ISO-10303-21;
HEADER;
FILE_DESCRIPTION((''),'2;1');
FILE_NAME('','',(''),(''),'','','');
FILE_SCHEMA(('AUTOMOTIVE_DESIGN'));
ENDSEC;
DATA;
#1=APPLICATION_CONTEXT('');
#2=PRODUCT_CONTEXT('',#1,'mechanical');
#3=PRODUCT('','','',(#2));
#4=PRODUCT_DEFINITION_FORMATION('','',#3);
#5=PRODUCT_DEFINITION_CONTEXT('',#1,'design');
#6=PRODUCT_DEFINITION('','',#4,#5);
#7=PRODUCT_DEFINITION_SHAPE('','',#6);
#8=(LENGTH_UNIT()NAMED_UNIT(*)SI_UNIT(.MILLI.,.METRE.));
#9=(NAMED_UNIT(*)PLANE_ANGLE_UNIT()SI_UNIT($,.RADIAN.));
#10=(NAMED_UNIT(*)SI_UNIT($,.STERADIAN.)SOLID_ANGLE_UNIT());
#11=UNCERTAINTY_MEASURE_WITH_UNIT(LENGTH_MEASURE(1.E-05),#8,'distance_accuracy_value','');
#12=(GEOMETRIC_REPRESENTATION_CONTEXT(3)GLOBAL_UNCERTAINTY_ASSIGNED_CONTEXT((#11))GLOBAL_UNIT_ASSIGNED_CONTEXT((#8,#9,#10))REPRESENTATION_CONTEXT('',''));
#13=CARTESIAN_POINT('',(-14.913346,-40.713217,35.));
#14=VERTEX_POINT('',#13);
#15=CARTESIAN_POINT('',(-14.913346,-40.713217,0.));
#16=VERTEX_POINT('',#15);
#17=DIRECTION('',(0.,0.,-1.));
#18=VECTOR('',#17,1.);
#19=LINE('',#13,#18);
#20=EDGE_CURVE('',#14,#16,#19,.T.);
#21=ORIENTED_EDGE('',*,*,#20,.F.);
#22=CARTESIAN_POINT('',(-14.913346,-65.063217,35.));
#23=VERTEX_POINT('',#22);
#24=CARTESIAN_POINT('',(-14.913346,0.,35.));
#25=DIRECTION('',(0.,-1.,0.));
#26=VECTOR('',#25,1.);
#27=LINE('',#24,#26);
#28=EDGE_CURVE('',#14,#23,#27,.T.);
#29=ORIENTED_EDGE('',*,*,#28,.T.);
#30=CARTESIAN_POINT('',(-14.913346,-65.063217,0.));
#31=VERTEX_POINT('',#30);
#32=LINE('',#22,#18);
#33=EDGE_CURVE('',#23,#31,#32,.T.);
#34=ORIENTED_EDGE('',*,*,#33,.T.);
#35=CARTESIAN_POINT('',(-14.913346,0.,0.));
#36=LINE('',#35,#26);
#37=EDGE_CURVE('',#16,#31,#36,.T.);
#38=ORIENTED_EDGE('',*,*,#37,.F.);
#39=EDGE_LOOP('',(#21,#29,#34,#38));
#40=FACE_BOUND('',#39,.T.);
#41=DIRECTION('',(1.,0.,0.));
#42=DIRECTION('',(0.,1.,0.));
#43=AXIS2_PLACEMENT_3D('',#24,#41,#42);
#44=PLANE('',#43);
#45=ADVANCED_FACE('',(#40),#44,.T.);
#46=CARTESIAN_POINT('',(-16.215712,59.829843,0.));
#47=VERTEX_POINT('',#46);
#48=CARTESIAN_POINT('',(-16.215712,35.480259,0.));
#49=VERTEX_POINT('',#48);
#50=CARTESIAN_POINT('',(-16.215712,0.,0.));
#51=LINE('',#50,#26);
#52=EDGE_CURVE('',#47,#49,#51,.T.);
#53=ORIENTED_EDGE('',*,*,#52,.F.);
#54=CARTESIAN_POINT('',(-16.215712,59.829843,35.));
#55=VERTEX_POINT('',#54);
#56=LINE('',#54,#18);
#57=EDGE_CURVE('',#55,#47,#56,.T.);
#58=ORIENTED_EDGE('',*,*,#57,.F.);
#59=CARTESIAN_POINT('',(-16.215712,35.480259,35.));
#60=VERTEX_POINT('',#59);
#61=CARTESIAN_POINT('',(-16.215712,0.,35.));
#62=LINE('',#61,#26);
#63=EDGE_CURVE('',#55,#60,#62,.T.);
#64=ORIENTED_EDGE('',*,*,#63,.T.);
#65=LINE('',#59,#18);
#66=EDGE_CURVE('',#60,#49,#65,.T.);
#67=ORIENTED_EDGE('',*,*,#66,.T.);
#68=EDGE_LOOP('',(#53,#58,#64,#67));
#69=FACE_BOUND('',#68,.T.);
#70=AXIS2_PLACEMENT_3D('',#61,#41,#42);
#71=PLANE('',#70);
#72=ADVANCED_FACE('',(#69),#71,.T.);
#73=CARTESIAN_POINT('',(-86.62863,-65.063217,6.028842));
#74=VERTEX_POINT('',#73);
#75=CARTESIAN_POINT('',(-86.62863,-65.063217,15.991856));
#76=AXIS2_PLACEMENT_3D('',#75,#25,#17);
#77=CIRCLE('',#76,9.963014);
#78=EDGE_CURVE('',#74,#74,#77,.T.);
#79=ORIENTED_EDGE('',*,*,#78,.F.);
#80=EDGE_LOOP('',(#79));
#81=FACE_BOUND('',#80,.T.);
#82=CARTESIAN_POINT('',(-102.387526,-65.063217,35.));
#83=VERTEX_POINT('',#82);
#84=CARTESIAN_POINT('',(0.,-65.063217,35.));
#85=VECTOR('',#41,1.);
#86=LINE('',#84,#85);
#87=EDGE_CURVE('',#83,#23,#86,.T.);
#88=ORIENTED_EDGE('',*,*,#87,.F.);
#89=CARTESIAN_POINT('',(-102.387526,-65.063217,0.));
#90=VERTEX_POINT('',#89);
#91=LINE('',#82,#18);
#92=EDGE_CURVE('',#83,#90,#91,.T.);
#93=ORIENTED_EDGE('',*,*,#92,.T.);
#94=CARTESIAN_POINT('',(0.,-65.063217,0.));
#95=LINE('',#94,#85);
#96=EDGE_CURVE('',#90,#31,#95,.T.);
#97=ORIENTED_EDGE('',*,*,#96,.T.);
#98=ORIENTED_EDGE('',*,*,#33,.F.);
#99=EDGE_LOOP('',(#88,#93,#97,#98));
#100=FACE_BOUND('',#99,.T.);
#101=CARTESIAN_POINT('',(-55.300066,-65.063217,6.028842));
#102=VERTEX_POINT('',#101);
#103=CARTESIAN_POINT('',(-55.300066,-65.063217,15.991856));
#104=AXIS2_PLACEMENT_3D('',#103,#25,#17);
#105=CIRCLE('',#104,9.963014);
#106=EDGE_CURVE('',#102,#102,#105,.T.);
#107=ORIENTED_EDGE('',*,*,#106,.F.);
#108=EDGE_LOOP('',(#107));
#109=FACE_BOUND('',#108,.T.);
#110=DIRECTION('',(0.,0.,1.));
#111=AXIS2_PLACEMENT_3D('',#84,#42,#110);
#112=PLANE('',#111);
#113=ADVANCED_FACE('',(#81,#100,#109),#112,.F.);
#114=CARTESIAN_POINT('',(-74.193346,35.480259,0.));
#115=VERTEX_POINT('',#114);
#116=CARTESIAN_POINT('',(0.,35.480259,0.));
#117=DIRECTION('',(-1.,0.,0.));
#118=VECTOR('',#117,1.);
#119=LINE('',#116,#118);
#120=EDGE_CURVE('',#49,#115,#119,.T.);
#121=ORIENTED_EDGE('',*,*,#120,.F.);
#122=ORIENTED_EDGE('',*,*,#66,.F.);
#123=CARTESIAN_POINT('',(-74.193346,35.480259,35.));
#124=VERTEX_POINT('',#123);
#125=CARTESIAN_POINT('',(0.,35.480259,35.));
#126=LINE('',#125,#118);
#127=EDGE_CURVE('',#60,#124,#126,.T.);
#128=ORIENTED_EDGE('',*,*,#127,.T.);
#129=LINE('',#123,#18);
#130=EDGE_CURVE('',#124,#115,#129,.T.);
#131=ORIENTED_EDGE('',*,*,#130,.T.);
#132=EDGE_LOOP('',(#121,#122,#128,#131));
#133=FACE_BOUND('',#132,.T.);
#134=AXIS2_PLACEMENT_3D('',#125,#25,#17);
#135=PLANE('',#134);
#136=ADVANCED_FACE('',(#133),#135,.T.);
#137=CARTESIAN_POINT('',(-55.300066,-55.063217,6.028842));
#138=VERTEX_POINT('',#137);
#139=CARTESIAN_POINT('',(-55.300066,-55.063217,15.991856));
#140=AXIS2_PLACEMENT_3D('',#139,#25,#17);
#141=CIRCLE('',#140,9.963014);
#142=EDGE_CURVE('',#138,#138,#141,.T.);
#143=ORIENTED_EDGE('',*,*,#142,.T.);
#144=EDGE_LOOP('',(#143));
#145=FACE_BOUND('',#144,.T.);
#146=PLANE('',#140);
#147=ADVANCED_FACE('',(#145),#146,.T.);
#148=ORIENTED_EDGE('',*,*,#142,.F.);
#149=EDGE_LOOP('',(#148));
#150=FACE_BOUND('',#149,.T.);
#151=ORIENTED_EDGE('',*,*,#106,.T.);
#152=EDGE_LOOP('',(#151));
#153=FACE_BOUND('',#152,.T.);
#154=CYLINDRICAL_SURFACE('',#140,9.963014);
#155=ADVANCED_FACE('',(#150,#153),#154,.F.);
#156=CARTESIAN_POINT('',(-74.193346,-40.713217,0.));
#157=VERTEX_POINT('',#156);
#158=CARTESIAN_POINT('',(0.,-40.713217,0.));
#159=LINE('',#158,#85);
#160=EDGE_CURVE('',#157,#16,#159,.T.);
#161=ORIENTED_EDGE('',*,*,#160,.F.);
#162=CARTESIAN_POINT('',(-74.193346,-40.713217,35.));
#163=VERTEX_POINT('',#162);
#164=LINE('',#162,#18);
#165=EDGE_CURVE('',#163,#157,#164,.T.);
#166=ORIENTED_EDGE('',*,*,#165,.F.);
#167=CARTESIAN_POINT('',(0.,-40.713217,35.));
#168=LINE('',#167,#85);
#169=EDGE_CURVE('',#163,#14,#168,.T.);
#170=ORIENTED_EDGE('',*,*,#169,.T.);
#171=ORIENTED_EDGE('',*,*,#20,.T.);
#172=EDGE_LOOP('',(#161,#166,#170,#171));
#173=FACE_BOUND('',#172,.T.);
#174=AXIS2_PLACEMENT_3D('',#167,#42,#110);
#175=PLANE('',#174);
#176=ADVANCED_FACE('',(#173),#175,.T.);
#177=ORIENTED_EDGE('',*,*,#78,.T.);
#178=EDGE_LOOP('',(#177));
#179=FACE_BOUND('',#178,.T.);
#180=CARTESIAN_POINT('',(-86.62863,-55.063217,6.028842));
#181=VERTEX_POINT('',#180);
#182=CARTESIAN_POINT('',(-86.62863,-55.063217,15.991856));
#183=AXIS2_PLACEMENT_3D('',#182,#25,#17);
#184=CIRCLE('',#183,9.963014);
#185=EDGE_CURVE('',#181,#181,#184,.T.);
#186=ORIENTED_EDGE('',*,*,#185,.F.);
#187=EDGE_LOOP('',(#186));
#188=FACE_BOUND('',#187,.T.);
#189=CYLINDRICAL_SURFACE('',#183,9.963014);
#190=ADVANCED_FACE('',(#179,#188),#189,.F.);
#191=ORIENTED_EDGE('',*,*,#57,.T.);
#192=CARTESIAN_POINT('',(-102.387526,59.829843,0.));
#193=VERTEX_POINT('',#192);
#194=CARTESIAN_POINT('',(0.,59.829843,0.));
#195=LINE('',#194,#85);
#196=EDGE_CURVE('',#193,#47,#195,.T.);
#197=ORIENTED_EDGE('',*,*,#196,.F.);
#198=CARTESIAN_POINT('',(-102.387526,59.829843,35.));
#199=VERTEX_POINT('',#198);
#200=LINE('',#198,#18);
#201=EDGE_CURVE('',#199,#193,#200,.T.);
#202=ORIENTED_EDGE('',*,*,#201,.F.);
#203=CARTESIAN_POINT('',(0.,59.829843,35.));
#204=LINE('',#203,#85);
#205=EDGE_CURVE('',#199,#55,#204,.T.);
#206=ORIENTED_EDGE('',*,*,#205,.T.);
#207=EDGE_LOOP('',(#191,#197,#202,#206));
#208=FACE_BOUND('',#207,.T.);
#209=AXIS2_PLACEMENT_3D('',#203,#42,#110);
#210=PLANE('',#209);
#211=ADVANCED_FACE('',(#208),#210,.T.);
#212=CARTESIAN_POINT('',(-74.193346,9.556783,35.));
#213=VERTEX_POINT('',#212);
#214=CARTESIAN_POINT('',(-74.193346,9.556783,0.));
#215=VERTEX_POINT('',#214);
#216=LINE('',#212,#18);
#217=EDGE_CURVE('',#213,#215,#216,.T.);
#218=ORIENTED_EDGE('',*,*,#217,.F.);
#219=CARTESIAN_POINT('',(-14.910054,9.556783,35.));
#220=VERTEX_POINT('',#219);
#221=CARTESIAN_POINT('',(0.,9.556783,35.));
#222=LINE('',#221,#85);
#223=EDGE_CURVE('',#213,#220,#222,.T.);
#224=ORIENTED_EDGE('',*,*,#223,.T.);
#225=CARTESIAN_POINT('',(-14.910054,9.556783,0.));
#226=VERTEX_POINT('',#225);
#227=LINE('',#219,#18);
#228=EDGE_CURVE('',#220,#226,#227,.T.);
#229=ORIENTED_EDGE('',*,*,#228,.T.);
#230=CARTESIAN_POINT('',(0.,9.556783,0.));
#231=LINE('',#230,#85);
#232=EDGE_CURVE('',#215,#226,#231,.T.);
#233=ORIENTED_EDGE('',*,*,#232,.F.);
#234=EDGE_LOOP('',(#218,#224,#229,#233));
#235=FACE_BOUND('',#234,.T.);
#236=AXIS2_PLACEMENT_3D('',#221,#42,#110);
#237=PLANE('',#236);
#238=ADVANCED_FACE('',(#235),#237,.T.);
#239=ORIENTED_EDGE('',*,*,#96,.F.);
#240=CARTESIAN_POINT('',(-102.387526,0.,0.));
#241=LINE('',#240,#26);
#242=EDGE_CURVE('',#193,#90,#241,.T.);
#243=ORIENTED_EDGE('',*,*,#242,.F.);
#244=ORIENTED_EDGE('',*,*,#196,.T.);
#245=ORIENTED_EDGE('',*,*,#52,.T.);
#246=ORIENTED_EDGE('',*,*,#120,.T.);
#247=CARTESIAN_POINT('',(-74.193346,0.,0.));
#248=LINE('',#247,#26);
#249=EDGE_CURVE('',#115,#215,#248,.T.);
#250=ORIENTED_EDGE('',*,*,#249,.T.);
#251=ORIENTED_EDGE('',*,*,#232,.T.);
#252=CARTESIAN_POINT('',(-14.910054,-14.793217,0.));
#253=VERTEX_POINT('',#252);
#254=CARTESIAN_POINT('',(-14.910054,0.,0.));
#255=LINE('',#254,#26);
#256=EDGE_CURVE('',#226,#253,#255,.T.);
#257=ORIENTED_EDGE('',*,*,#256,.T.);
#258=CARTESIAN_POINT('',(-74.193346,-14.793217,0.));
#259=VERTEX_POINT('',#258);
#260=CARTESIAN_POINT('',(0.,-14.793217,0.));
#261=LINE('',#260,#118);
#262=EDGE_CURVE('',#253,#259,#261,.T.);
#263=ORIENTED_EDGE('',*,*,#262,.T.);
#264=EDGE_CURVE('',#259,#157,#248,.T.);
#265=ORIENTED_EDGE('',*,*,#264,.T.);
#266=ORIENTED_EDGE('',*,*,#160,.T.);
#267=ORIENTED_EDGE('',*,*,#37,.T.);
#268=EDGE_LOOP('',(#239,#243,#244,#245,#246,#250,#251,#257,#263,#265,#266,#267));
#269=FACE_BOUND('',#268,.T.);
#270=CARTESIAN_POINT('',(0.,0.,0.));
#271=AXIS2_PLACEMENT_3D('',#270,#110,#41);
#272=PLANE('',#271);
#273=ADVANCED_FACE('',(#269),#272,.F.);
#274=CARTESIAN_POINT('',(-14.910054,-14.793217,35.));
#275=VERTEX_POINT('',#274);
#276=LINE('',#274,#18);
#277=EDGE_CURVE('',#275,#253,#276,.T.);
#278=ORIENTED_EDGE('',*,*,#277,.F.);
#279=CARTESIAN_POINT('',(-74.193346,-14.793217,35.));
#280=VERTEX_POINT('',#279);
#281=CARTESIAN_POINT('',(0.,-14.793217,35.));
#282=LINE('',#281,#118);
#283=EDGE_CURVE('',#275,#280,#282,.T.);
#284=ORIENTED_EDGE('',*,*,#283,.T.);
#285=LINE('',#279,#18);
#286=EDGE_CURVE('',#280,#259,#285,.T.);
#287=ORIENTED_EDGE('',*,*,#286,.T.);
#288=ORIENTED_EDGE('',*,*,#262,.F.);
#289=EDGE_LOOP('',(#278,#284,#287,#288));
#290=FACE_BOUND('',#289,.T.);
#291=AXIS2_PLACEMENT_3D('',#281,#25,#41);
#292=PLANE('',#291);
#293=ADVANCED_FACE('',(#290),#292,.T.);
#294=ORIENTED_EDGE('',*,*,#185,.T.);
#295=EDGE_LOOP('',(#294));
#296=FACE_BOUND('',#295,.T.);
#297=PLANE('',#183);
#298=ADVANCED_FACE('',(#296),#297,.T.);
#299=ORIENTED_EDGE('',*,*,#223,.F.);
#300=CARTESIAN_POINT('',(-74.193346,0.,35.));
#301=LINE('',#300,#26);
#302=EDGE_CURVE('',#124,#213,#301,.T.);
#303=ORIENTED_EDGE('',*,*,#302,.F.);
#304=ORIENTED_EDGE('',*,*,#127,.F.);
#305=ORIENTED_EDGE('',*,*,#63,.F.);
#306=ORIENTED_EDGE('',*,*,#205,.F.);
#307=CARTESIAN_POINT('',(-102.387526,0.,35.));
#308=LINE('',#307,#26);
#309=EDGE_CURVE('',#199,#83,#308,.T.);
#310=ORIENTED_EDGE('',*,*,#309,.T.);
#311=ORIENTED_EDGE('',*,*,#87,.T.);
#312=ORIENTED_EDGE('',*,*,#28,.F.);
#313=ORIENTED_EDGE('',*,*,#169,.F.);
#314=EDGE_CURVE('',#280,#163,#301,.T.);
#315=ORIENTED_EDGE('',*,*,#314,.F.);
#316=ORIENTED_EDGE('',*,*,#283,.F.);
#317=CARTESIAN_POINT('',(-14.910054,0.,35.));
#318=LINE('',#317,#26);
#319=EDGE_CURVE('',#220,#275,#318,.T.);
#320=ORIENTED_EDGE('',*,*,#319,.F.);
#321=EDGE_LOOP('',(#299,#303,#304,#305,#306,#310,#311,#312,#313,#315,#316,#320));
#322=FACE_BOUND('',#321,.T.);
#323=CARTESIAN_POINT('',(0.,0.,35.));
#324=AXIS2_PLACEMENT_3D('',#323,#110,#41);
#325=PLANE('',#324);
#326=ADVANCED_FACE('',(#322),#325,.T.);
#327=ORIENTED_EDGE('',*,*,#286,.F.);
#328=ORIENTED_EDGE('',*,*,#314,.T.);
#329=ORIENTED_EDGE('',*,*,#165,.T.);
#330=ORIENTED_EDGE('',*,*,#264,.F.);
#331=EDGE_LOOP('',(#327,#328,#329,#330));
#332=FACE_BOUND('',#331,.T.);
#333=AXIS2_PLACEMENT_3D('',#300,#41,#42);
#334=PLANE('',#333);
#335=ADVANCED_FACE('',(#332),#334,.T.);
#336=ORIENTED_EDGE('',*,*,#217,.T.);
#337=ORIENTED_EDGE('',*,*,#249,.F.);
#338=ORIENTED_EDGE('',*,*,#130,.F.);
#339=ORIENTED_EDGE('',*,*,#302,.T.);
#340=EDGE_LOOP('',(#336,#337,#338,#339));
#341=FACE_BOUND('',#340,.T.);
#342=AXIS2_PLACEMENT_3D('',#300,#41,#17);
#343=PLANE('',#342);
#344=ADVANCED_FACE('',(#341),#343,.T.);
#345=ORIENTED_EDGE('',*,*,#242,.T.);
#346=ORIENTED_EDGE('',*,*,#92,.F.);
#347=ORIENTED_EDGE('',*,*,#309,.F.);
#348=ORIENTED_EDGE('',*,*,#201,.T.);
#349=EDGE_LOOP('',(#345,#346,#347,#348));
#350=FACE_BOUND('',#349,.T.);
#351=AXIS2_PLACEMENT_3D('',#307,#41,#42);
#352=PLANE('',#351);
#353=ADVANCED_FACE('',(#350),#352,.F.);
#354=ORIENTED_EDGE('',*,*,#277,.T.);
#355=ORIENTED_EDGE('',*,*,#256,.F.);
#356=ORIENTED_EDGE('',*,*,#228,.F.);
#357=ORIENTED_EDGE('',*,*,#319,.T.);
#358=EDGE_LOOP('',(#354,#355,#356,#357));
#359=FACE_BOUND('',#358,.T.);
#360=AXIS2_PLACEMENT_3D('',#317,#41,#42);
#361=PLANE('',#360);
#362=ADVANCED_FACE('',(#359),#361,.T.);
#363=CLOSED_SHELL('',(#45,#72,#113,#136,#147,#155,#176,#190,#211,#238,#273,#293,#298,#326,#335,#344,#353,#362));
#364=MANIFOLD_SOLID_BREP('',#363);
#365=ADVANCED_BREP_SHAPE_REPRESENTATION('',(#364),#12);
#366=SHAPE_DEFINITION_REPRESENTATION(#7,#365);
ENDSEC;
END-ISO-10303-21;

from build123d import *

# Parameters (mm, degrees)
BOSS_EXTRUDE1_DEPTH = 35
SKETCH2_R           = 9.963013746
CUT_EXTRUDE1_DEPTH  = 10


with BuildPart() as part:
    # Sketch1 → Boss-Extrude1 (new body)
    with BuildSketch(Plane.XY):
        Polygon((-16.2157121, 59.829843243), (-102.387525881, 59.829843243), (-102.387525881, -65.063217449), (-14.91334569, -65.063217449), (-14.91334569, -40.713217449), (-74.19334569, -40.713217449), (-74.19334569, -14.793217449), (-14.910053534, -14.793217449), (-14.910053534, 9.556782551), (-74.19334569, 9.556782551), (-74.19334569, 35.480259253), (-16.2157121, 35.480259253), align=None)
    extrude(amount=BOSS_EXTRUDE1_DEPTH)

    # Sketch2 → Cut-Extrude1 (cut)
    with BuildSketch(Plane.XZ.offset(65.063217449)):
        with Locations(Location((-86.628630344, 15.991855585, 0), (0, 0, 270))):
            Circle(SKETCH2_R)
        with Locations(Location((-55.3000658, 15.991855585, 0), (0, 0, 270))):
            Circle(SKETCH2_R)
    extrude(amount=-CUT_EXTRUDE1_DEPTH, mode=Mode.SUBTRACT)


solid = part.part
